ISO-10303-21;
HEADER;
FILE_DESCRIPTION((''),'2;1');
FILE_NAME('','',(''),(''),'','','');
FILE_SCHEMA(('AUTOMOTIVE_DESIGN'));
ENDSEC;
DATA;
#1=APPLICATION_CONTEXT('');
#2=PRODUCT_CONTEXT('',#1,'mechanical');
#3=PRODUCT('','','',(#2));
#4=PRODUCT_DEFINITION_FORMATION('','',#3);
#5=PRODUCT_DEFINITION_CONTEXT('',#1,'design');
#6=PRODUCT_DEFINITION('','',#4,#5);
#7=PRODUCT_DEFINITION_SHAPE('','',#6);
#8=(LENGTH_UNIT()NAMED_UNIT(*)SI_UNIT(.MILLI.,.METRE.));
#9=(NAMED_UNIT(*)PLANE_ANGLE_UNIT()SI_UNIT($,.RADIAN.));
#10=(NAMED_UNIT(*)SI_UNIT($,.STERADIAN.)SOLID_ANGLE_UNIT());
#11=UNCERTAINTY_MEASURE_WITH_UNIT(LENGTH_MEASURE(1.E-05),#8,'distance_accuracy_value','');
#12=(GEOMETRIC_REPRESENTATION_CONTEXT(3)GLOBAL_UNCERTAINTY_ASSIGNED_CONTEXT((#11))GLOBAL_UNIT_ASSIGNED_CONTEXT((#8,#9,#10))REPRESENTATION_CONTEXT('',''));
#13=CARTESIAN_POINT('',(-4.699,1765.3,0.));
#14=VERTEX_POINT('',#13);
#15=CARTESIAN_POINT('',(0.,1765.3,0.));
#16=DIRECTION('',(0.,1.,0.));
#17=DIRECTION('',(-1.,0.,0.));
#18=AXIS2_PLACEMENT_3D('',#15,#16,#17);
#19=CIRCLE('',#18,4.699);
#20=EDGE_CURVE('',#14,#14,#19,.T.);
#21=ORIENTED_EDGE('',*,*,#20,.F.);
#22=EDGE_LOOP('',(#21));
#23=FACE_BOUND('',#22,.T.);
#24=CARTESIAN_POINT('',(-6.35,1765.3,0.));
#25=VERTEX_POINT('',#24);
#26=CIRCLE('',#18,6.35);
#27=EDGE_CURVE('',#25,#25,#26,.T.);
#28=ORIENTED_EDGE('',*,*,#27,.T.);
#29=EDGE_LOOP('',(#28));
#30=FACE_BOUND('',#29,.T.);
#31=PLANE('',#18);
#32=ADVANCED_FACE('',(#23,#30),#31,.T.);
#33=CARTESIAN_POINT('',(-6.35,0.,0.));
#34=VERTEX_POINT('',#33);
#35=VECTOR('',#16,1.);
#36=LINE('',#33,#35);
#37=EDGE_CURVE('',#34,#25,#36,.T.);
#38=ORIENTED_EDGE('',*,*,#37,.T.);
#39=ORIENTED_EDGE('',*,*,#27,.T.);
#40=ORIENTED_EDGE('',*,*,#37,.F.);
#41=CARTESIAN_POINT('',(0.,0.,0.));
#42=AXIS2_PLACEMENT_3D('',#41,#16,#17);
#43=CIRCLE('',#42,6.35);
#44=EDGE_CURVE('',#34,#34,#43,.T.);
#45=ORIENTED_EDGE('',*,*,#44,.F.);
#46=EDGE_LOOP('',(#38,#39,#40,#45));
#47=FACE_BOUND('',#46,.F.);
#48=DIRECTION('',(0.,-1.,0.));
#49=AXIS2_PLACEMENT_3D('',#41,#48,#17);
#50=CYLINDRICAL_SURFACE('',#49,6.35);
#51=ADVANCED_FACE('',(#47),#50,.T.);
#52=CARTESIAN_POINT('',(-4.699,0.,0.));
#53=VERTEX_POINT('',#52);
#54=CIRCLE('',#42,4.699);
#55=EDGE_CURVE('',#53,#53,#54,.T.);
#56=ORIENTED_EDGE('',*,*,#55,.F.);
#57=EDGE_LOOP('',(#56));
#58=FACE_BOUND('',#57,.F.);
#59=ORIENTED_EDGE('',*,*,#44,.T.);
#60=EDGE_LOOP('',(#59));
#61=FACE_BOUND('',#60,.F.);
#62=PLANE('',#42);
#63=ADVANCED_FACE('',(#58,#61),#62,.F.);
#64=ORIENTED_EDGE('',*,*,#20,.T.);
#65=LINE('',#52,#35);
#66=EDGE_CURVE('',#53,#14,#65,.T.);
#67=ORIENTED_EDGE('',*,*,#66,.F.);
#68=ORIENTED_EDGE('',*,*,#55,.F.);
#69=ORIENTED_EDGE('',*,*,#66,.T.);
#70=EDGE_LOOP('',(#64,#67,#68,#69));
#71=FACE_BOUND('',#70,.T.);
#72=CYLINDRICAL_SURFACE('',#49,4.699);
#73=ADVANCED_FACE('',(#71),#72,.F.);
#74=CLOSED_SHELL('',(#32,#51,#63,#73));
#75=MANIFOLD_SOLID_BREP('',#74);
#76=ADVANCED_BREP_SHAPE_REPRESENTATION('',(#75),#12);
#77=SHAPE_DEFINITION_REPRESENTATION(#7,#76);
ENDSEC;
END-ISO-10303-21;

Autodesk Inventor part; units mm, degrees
ref_plane "YZ Plane" through (0, 0, 0) normal (1, 0, 0) x (0, 1, 0)
ref_plane "XZ Plane" through (0, 0, 0) normal (0, 1, 0) x (-1, 0, 0)
ref_plane "XY Plane" through (0, 0, 0) normal (0, 0, 1) x (1, 0, 0)
sketch "Sketch1" plane through (0, 0, 0) normal (0, 1, 0) x (-1, 0, 0)
  circle A0 centre (0, 0) radius 4.699
  circle A1 centre (0, 0) radius 6.35
  dimension "d2" = 9.398
  dimension "d3" = 12.7
extrude "Extrusion1" add sketch "Sketch1" along normal blind 1765.3
properties part number "wand" material "Stainless Steel"
